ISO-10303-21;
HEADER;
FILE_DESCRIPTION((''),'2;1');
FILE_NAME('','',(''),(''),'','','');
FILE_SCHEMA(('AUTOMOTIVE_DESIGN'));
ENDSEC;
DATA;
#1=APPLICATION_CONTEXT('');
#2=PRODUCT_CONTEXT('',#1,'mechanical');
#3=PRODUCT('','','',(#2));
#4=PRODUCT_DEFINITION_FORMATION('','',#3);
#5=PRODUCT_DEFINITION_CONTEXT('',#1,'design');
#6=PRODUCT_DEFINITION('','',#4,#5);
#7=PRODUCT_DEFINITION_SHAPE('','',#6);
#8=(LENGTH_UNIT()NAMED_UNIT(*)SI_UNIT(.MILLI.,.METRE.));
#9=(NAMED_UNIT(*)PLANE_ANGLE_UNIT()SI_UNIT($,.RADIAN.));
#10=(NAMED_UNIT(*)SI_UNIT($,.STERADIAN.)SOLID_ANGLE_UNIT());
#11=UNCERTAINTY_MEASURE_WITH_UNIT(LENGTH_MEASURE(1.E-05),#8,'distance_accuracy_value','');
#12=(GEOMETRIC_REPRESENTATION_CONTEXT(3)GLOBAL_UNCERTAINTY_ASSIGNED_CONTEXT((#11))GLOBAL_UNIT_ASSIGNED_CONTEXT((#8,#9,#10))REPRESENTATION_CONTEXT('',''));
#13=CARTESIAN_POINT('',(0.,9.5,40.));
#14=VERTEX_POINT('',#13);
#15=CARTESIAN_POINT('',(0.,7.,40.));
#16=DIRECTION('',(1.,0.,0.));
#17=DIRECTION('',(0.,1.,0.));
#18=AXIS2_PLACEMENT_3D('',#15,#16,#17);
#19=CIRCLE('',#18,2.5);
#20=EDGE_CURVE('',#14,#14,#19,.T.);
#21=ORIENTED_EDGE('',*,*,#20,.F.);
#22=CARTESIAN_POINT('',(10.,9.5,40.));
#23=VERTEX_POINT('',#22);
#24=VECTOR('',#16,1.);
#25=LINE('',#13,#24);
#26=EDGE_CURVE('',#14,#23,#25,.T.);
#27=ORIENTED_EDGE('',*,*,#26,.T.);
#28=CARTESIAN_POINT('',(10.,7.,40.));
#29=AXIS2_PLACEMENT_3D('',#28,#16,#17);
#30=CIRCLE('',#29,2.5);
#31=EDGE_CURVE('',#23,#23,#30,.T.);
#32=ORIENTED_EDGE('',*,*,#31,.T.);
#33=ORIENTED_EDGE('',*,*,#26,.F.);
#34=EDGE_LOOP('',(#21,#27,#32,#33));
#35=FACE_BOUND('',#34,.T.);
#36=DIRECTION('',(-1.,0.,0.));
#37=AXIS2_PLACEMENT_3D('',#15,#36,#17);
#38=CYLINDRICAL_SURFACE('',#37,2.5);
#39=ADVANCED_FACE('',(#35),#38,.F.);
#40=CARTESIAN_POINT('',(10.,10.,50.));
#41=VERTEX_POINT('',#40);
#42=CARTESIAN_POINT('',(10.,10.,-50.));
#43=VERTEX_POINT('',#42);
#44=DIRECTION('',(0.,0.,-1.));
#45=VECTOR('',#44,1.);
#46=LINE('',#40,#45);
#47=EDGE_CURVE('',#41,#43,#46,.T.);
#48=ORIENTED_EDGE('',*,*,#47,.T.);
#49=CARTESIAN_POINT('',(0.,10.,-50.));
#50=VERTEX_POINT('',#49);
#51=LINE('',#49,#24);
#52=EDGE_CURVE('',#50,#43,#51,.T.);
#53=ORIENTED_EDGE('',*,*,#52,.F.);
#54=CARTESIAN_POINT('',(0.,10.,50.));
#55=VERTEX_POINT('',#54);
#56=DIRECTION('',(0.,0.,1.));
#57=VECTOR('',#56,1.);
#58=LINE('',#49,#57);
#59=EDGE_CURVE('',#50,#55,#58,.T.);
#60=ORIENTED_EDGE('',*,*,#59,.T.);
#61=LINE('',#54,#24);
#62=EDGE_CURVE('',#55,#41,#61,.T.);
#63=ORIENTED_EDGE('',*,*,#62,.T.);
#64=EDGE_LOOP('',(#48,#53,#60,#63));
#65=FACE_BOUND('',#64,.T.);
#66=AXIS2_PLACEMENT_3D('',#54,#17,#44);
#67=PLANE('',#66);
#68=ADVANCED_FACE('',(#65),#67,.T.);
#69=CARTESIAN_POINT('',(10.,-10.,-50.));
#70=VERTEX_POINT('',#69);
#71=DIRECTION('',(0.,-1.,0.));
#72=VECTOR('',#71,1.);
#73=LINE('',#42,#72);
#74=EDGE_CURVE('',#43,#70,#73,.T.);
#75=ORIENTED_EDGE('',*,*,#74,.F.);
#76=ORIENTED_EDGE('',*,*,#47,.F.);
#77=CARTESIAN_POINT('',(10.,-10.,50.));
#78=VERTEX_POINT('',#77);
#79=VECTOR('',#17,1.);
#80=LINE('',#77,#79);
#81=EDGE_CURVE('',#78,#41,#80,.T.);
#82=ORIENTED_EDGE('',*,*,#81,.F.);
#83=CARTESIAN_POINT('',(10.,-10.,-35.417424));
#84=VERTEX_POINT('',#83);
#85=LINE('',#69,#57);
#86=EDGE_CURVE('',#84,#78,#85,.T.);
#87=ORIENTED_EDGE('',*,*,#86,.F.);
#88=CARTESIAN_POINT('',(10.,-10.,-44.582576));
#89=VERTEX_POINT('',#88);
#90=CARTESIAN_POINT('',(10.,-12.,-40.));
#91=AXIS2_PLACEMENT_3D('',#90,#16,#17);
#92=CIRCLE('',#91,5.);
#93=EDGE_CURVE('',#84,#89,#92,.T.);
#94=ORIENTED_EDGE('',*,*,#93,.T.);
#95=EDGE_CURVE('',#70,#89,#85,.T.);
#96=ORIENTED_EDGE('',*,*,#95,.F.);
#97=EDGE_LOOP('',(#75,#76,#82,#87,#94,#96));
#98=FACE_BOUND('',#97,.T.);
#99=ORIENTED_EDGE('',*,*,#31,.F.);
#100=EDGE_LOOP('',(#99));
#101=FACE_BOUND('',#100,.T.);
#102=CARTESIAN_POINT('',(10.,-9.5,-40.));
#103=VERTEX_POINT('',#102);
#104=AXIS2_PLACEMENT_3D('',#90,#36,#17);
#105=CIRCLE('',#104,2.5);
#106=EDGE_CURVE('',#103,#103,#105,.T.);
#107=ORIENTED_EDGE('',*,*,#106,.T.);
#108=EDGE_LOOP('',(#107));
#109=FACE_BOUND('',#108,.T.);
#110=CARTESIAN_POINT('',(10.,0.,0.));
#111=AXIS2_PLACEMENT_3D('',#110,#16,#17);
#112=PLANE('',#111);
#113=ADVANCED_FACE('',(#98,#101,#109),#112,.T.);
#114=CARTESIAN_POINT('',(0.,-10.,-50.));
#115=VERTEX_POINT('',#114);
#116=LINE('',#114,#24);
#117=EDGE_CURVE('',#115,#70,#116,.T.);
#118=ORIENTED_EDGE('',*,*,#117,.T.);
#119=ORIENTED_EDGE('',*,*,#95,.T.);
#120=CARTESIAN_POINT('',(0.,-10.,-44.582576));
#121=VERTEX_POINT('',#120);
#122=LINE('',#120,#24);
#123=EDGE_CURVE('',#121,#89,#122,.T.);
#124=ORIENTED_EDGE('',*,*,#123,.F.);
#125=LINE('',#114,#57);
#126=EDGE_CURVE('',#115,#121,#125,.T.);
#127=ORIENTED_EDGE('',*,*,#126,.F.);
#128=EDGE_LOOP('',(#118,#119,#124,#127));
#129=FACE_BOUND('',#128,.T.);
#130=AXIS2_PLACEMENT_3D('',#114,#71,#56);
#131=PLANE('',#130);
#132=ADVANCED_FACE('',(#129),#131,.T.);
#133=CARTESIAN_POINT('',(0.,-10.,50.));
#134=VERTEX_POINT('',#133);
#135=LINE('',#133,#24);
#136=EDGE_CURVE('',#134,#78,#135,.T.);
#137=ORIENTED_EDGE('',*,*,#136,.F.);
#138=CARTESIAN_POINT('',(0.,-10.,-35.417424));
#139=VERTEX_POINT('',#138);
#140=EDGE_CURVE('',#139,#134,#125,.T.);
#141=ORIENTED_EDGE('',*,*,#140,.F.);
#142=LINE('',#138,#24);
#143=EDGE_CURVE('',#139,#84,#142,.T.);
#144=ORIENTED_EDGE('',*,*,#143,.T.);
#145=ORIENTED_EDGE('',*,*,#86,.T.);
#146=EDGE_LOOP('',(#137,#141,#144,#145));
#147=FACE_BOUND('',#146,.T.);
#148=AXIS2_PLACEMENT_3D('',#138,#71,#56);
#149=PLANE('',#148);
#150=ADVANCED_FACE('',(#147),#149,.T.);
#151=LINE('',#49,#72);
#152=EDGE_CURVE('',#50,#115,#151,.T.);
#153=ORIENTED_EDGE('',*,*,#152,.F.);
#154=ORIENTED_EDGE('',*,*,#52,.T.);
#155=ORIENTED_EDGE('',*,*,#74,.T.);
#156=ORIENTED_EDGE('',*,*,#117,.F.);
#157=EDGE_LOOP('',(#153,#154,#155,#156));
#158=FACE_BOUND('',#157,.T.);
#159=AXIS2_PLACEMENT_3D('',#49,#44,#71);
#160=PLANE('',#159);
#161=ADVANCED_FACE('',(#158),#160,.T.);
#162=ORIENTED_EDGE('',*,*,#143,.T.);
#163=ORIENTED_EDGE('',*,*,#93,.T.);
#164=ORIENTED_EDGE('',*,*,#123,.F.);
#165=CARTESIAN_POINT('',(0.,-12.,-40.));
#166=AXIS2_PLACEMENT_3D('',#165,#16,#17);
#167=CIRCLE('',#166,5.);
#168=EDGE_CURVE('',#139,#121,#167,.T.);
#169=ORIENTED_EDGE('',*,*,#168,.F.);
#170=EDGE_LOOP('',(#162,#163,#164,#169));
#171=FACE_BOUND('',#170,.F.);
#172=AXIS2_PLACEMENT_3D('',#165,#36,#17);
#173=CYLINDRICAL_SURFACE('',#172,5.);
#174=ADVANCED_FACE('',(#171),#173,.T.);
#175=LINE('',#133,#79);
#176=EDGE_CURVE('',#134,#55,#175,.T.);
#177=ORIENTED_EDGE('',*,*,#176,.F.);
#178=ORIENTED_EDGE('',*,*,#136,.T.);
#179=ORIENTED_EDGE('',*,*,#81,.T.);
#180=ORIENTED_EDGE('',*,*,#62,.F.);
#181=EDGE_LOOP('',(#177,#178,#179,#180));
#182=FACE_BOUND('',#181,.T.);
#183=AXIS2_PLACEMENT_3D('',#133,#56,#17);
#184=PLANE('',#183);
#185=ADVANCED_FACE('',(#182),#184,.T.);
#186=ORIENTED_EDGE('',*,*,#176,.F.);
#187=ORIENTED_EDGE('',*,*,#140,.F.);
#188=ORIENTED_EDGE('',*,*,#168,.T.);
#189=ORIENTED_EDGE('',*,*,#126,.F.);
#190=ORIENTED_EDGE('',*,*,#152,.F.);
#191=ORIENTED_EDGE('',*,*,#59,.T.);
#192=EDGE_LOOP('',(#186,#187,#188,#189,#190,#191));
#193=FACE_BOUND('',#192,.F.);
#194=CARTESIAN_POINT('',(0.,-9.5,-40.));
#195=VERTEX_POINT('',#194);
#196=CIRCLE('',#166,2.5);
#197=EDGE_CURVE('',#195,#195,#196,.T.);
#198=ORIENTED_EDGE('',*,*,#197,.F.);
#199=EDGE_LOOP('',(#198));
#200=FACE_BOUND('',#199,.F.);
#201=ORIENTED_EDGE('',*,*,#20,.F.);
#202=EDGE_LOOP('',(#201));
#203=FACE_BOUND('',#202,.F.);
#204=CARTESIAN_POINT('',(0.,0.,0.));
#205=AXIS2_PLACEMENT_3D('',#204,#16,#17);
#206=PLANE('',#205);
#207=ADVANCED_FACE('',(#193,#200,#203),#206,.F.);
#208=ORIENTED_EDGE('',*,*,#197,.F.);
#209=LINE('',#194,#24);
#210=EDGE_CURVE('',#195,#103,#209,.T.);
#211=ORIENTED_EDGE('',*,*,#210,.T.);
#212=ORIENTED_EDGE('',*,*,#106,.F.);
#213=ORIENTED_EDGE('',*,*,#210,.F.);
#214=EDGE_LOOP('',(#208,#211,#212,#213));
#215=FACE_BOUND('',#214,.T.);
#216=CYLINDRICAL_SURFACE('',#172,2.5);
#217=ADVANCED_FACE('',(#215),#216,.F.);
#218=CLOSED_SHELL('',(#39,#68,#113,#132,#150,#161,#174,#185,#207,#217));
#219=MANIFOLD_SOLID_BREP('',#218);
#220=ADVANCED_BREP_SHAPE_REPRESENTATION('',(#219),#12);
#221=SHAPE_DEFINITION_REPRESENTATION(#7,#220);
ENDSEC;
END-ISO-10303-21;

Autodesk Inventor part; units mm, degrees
ref_plane "YZ Plane" through (0, 0, 0) normal (1, 0, 0) x (0, 1, 0)
ref_plane "XZ Plane" through (0, 0, 0) normal (0, 1, 0) x (-1, 0, 0)
ref_plane "XY Plane" through (0, 0, 0) normal (0, 0, 1) x (1, 0, 0)
sketch "Sketch1" plane through (0, 0, 0) normal (1, 0, 0) x (0, 1, 0)
  line L0 (-10, 50) -> (10, 50)
  line L1 (10, 50) -> (10, -50)
  line L2 (10, -50) -> (-10, -50)
  line L3 (-10, -50) -> (-10, 50)
  line L4 (-10, 50) -> (10, -50) construction
  line L5 (10, 50) -> (-10, -50) construction
  circle A0 centre (7, 40) radius 2.5
  circle A1 centre (7, 40) radius 5
  circle A2 centre (-12, -40) radius 2.5
  circle A3 centre (-12, -40) radius 5
  point P0 (0, 0)
  point P1 (0, 0)
  point P2 (-10, 35.4174)
  point P3 (-10, -35.4174)
  point P4 (-10, -44.5826)
  point P5 (-10, 44.5826)
  point P6 (10, 36)
  point P7 (10, 44)
  point P8 (-10, -38.5)
  point P9 (-10, -41.5)
  dimension "d0" = 100
  dimension "d1" = 5
  dimension "d2" = 10
  dimension "d3" = 10
  dimension "d5" = 20
  dimension "d6" = 5
  dimension "d7" = 10
  dimension "d8" = 2
  dimension "d9" = 10
  dimension "d12" = 3
extrude "Extrusion1" add sketch "Sketch1" along normal blind 10 contours L0 L1 A1 L2 L3 A3 | A3 L3 A2 | L3 A2 A3 | L1 A1 picked at (9.8333, 40)
properties part number "temp-bed"
